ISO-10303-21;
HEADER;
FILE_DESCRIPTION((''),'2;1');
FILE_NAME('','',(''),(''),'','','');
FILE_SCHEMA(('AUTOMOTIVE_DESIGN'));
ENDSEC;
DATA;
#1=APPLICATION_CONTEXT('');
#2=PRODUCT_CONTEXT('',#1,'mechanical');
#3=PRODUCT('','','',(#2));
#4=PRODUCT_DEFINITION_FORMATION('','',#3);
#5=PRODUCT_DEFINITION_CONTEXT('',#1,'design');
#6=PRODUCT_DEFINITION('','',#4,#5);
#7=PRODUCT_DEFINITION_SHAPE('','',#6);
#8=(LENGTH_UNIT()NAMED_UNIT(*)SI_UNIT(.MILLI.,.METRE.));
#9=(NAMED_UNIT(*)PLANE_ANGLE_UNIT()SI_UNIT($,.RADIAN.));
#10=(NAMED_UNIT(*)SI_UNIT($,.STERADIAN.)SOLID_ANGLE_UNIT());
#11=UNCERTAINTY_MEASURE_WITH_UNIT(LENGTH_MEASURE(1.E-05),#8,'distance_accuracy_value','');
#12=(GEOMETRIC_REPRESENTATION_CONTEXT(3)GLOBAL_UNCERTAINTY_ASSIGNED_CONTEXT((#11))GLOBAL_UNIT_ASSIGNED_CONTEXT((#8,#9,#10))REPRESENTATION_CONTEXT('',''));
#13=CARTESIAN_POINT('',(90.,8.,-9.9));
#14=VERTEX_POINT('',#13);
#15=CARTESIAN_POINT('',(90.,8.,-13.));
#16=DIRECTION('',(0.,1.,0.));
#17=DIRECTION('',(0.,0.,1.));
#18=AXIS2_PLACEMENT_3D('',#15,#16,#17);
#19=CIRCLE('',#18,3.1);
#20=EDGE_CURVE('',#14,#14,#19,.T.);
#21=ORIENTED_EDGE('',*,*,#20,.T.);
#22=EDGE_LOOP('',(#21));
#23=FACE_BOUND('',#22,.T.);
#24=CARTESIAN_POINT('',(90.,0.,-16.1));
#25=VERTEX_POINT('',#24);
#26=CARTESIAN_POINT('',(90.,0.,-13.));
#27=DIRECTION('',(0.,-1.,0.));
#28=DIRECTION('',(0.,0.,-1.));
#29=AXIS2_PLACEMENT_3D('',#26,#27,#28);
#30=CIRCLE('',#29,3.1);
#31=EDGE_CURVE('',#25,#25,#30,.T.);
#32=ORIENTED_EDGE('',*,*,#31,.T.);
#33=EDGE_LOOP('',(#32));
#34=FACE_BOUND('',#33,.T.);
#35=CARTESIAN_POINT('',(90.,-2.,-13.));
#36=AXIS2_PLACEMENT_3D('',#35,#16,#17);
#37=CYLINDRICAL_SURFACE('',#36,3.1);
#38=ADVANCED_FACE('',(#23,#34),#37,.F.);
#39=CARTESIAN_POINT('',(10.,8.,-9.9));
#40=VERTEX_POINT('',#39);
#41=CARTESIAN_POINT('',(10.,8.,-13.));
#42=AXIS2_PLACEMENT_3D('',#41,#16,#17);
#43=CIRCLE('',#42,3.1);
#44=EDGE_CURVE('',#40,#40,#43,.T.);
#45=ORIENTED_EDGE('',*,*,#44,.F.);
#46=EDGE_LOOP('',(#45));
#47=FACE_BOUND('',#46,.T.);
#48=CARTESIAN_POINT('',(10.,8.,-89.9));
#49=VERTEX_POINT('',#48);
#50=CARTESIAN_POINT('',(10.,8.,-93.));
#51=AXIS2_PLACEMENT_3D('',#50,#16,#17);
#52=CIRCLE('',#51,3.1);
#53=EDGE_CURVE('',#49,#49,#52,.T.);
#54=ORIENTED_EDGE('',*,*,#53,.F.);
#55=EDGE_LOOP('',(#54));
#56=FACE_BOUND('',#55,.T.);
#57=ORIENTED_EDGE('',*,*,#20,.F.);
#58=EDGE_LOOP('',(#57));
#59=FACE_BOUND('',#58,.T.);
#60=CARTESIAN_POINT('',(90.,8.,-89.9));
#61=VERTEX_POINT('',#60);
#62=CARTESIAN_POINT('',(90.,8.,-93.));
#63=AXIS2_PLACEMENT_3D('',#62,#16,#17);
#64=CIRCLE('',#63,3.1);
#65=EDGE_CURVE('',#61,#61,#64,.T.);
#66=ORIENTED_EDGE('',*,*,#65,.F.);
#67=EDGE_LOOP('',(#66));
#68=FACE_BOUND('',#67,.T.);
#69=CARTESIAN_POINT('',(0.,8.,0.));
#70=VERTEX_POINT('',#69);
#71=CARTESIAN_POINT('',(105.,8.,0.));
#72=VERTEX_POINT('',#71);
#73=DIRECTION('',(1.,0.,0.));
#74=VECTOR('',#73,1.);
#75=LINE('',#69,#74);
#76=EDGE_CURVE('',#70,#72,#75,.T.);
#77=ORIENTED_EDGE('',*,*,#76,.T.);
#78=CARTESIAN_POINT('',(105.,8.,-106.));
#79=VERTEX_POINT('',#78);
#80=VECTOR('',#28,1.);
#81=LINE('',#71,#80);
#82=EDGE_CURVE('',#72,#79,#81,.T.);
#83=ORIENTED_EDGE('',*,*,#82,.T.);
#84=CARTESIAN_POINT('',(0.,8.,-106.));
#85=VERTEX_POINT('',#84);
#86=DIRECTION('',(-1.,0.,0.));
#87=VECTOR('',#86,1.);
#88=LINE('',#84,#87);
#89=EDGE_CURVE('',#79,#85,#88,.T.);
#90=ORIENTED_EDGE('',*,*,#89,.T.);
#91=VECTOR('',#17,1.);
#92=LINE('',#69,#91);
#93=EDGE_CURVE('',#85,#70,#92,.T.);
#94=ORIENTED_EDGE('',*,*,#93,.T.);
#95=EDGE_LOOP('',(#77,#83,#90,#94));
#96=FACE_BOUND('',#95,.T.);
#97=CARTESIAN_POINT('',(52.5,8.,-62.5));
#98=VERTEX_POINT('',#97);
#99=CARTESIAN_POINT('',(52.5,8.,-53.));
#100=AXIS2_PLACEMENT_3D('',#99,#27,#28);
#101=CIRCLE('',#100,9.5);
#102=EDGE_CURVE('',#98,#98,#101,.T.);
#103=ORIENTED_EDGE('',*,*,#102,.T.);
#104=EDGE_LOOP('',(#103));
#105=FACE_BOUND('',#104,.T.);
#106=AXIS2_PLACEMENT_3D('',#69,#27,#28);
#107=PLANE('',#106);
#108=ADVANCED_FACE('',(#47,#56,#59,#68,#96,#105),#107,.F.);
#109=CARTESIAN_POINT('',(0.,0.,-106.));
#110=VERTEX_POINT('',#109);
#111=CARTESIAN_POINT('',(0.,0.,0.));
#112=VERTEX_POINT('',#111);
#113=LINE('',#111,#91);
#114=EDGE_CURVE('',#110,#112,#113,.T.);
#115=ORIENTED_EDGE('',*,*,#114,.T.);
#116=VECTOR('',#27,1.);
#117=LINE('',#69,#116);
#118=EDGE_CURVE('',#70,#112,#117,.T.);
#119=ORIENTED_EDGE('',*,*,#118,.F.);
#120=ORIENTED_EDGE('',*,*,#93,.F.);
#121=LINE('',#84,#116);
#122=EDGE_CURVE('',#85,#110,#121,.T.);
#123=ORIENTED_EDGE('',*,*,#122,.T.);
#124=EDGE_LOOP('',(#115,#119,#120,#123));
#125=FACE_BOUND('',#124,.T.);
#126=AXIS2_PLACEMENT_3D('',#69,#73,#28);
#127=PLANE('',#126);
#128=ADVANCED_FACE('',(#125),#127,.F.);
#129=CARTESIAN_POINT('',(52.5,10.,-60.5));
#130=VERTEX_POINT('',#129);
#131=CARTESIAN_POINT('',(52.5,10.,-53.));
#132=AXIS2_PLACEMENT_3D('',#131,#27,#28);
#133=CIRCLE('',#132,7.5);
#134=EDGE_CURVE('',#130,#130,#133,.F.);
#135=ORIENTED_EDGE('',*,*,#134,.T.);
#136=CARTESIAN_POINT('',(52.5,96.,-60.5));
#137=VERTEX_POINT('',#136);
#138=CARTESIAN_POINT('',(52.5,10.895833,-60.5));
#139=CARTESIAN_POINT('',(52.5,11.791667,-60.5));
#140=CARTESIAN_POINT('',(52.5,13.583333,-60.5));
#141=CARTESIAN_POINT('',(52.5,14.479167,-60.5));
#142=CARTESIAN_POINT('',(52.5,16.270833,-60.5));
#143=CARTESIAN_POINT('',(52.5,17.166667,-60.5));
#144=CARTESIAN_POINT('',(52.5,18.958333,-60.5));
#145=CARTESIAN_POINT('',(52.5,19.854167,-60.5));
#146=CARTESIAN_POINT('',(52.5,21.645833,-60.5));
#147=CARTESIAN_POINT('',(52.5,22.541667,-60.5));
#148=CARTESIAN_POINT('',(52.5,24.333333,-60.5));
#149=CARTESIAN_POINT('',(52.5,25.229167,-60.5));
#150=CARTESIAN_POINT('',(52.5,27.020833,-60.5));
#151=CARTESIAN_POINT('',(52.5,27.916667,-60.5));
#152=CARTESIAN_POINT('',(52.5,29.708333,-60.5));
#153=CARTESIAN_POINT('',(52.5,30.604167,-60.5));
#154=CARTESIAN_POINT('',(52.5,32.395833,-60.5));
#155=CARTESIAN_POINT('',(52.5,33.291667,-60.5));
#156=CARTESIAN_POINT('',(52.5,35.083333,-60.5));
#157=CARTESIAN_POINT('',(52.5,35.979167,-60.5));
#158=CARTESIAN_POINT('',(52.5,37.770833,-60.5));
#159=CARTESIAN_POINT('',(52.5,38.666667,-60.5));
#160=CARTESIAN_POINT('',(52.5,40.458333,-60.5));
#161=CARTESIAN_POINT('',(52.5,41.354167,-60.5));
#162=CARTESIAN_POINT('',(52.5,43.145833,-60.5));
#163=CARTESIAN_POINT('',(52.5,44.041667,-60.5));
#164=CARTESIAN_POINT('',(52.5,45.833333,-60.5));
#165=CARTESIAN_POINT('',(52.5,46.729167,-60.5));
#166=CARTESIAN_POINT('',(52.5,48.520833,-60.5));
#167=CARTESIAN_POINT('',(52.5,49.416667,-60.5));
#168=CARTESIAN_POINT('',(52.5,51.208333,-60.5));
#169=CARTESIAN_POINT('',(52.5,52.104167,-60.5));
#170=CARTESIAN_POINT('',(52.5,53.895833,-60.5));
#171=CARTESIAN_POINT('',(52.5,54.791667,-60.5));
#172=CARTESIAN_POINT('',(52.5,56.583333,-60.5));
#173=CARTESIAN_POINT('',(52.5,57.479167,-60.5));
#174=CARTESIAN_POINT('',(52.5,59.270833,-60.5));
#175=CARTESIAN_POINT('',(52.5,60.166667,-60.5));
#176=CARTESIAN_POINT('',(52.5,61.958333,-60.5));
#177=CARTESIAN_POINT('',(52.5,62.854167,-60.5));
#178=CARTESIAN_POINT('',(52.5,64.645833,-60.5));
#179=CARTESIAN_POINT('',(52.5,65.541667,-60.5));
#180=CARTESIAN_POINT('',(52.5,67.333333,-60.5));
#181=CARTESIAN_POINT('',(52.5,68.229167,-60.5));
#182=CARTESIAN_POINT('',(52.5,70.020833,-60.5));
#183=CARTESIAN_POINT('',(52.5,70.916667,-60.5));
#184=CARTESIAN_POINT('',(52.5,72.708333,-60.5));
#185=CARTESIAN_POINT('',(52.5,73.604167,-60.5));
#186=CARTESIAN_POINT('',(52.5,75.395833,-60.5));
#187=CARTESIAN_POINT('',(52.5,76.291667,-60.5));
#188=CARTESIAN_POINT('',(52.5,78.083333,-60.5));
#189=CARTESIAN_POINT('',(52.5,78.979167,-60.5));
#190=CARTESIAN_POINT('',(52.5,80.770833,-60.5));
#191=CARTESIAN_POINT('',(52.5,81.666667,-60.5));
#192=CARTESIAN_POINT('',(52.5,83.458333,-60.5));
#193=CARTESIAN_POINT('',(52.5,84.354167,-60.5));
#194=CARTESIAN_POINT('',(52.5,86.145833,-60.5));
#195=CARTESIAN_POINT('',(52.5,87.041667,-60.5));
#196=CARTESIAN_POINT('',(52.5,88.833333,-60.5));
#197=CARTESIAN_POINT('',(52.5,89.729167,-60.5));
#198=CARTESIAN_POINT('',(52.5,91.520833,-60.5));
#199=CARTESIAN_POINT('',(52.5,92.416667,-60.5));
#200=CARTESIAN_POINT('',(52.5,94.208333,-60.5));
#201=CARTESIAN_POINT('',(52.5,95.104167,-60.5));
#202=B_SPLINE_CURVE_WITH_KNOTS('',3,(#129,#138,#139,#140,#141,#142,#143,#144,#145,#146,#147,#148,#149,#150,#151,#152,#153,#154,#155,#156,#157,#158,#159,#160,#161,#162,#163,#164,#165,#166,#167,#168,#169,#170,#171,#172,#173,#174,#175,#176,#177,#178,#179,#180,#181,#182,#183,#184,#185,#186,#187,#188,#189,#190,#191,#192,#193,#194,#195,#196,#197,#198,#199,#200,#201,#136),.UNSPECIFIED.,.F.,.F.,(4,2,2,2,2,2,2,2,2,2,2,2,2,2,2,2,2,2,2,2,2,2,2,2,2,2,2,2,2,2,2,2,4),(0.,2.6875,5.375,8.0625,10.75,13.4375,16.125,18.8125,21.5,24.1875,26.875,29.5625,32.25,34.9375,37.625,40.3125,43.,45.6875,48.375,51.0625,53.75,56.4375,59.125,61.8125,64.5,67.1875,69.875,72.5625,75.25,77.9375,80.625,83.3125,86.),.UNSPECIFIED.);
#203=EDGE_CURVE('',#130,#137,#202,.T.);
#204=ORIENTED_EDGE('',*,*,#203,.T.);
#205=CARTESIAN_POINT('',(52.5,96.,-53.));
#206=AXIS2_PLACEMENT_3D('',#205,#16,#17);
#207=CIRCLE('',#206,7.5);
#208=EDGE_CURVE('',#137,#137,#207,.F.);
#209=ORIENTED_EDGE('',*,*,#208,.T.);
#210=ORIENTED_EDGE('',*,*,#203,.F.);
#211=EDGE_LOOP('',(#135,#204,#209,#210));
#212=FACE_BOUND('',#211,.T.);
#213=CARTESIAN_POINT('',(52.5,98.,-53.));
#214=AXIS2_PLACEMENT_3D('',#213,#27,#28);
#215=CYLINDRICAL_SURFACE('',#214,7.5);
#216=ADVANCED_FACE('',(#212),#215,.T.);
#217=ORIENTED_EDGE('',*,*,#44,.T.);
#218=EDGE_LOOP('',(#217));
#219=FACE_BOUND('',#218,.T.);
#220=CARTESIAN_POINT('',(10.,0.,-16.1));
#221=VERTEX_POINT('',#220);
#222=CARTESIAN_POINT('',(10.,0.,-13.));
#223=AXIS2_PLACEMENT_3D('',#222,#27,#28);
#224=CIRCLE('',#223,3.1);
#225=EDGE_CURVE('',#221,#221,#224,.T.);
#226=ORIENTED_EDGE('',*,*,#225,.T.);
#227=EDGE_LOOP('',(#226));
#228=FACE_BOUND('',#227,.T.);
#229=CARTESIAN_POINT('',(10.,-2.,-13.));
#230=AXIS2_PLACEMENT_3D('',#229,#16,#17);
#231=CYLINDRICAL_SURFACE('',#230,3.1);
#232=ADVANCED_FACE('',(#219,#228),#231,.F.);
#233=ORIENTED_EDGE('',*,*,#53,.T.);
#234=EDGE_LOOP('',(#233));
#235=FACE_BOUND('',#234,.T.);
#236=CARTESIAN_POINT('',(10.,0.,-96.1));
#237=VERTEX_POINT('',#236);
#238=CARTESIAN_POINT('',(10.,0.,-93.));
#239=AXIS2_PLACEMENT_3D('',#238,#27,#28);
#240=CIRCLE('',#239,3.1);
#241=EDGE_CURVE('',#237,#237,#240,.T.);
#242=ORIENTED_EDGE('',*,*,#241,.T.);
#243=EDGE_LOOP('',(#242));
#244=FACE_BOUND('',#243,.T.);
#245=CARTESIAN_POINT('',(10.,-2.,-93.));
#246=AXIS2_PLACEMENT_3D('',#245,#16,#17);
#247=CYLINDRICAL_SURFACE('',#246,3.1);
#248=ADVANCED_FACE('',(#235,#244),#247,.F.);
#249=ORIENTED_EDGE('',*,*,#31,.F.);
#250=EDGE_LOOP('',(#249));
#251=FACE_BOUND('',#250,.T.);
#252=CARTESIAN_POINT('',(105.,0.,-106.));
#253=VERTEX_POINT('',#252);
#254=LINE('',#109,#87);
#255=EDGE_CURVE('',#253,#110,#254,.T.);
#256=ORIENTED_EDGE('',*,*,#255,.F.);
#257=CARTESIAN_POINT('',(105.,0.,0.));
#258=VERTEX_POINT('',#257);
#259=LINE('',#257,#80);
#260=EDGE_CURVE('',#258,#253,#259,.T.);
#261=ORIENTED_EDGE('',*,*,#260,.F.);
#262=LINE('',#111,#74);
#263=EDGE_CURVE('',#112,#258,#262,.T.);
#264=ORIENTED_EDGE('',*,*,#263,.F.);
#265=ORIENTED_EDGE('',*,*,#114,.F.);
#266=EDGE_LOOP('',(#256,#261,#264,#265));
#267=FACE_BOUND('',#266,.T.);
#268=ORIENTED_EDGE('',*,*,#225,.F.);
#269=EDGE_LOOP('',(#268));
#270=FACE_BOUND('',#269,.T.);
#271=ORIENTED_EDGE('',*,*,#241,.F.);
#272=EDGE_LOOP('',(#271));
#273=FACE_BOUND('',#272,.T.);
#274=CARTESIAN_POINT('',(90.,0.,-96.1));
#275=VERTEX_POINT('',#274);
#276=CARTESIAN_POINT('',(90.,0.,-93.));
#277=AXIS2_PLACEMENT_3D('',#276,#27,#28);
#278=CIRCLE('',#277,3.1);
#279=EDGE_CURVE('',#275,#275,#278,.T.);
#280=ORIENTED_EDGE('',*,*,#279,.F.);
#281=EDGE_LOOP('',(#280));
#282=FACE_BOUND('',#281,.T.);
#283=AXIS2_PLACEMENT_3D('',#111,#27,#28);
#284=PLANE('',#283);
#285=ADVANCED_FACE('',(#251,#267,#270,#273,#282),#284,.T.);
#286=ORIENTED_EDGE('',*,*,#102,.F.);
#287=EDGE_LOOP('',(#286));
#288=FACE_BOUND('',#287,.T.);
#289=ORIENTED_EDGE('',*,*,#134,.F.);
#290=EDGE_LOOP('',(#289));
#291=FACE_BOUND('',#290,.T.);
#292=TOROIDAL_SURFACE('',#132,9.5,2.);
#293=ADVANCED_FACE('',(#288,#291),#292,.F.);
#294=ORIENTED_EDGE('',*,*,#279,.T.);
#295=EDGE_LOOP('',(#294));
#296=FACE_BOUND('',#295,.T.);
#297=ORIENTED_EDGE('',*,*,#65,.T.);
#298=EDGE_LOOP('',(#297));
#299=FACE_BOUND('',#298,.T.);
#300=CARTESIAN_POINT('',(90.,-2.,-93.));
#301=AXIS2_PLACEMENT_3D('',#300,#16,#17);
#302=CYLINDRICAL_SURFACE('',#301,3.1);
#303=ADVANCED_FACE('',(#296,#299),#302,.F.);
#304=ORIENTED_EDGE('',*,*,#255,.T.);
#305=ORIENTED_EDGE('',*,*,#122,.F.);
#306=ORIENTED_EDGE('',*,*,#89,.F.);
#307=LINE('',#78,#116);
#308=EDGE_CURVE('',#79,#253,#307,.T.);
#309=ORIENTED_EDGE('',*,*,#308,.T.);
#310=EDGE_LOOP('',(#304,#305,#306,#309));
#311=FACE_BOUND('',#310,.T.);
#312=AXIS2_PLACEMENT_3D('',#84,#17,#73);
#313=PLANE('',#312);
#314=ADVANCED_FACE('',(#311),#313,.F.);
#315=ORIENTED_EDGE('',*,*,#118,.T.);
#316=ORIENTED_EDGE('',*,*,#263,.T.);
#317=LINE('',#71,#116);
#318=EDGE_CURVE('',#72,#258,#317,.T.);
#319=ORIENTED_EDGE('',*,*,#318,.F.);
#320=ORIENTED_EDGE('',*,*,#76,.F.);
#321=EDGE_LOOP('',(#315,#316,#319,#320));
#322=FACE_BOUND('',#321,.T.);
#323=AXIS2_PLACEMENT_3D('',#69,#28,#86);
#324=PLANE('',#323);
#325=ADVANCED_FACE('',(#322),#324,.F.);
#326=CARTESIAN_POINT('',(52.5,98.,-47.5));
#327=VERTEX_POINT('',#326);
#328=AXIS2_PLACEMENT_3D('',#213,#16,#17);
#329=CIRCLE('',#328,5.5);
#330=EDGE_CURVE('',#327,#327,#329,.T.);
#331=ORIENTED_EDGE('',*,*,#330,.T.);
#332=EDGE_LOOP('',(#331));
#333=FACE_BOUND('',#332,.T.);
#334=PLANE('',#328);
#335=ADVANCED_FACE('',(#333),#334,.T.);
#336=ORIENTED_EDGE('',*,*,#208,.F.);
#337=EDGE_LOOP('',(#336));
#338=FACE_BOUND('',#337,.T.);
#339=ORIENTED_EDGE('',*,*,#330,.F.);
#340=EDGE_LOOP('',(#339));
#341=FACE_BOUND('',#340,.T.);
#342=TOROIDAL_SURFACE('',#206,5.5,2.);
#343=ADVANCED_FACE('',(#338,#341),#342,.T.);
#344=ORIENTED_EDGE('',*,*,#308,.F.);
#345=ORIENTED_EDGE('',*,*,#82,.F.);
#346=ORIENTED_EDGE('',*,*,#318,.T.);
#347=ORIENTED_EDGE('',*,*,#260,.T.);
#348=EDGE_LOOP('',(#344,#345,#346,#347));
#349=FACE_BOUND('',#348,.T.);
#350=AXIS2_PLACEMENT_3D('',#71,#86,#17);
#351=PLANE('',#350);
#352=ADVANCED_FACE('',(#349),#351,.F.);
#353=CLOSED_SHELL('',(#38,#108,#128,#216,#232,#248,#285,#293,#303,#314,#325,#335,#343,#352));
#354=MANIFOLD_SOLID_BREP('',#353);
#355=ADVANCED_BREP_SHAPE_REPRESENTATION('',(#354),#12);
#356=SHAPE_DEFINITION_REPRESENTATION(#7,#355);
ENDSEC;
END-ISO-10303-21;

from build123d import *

# Parameters (mm, degrees)
SKETCH_1_W          = 105
SKETCH_1_H          = 106
EXTRUDE_1_DEPTH     = 8
SKETCH_3_R          = 3.1
CUT_EXTRUDE_1_DEPTH = 10
SKETCH_5_R          = 7.5
EXTRUDE_2_DEPTH     = 90
FILLET_1_R          = 2


with BuildPart() as part:
    # 草图1 → 凸台-拉伸1 (new body)
    with BuildSketch(Plane(origin=(0, 0, 0), x_dir=(1, 0, 0), z_dir=(0, 1, 0))):
        with Locations((52.5, 53)):
            Rectangle(SKETCH_1_W, SKETCH_1_H)
    extrude(amount=EXTRUDE_1_DEPTH)

    # 草图3 → 切除-拉伸1 (cut)
    with BuildSketch(Plane(origin=(0, 8, 0), x_dir=(1, 0, 0), z_dir=(0, 1, 0))):
        with Locations(Location((90, 13, 0), (0, 0, 270))):
            Circle(SKETCH_3_R)
        with Locations(Location((90, 93, 0), (0, 0, 270))):
            Circle(SKETCH_3_R)
        with Locations(Location((10, 93, 0), (0, 0, 270))):
            Circle(SKETCH_3_R)
        with Locations(Location((10, 13, 0), (0, 0, 270))):
            Circle(SKETCH_3_R)
    extrude(amount=-CUT_EXTRUDE_1_DEPTH, mode=Mode.SUBTRACT)

    # 草图5 → 凸台-拉伸2 (add)
    with BuildSketch(Plane(origin=(0, 8, 0), x_dir=(1, 0, 0), z_dir=(0, 1, 0))):
        with Locations(Location((52.5, 53, 0), (0, 0, 90))):
            Circle(SKETCH_5_R)
    extrude(amount=EXTRUDE_2_DEPTH)

    # 圆角1
    fillet_1_edges = [part.edges().sort_by_distance(p)[0] for p in [
        (52.5, 8, -45.5),
        (52.5, 98, -45.5),
    ]]
    fillet(fillet_1_edges, radius=FILLET_1_R)


solid = part.part
